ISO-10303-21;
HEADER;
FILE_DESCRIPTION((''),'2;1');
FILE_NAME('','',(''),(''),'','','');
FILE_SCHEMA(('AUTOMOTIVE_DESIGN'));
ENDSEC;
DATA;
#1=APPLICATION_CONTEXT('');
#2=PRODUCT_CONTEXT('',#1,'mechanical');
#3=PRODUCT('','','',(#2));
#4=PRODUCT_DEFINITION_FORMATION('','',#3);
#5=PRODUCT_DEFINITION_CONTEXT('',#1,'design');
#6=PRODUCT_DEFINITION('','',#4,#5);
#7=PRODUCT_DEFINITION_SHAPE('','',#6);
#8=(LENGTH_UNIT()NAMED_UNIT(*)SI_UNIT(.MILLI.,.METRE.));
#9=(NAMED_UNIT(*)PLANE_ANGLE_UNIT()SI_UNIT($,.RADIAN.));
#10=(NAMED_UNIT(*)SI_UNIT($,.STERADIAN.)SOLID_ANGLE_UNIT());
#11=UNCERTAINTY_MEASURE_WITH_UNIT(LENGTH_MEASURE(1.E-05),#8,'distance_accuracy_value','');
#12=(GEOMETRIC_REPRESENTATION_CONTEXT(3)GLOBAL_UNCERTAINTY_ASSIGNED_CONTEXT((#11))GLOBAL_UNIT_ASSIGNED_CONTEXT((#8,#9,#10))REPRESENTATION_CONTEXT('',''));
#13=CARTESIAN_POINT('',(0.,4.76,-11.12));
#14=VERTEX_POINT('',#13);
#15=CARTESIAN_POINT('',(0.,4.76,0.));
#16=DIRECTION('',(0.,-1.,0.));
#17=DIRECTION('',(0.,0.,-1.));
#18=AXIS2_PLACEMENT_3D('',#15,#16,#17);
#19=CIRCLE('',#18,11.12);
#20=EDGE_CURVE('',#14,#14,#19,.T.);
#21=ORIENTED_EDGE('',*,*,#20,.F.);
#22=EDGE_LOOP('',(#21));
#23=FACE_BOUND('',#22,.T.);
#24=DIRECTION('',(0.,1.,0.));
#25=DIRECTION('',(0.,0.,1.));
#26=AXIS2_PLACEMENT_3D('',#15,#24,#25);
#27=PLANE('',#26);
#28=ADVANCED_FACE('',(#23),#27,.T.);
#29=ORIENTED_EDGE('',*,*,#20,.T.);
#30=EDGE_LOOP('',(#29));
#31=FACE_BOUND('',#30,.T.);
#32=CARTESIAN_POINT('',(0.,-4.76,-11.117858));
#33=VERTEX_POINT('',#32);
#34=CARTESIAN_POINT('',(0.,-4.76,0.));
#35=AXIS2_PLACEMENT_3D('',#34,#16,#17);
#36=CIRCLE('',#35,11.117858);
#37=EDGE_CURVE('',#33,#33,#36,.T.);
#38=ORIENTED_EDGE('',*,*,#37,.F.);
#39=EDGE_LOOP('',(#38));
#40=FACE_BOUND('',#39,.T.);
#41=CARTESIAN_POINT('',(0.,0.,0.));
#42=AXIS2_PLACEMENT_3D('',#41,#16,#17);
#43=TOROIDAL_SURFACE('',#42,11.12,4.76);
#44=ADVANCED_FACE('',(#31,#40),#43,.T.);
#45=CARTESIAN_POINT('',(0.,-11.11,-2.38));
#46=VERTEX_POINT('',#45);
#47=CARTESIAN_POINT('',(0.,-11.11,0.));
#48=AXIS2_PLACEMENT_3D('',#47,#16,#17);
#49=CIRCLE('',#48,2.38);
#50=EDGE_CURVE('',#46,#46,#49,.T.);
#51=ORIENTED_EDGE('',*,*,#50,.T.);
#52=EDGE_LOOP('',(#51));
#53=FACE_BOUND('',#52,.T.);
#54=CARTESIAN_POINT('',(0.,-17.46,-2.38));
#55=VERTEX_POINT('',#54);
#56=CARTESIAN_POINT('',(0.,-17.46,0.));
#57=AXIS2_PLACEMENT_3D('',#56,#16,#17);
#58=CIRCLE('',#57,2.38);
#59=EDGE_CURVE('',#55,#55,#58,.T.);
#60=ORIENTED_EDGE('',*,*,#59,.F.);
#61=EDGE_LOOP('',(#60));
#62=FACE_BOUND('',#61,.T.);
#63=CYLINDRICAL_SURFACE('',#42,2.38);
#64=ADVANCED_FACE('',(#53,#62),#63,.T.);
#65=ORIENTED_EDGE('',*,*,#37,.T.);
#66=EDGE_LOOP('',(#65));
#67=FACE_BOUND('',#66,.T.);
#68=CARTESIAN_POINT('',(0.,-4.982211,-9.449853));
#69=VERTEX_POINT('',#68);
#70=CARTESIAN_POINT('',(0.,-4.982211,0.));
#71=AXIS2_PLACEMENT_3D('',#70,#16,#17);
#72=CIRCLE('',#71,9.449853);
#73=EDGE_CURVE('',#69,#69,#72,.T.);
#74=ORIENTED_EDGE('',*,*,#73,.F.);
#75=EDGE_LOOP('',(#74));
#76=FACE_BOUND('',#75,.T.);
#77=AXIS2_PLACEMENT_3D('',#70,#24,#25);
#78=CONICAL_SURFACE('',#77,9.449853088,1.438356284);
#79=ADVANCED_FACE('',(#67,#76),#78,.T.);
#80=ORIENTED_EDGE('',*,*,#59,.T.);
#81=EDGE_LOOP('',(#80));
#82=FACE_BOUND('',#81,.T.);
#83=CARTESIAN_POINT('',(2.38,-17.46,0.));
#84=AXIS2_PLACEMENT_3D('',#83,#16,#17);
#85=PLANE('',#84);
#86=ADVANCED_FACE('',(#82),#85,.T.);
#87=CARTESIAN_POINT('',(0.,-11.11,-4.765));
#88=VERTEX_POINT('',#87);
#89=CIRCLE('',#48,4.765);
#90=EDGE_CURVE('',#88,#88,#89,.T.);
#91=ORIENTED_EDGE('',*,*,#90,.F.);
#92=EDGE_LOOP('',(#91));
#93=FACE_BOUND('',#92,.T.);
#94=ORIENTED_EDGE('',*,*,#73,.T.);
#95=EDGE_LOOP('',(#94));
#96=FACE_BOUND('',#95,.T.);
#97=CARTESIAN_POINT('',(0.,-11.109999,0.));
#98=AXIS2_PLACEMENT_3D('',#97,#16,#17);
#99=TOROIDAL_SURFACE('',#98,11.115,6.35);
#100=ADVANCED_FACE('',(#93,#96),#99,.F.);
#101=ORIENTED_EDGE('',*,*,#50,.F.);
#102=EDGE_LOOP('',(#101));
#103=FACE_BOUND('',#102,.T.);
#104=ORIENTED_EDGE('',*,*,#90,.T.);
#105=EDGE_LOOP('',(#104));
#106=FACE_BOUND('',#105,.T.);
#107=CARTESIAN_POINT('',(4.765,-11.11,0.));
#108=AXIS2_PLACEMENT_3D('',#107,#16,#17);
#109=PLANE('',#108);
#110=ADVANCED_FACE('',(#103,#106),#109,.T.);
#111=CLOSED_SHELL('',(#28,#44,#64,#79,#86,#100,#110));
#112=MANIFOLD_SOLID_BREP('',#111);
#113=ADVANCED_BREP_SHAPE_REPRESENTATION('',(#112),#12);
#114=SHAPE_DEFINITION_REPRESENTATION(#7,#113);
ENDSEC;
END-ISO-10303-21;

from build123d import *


with BuildPart() as part:
    # Sketch1 → Revolve2 (revolve)
    with BuildSketch(Plane.XY, mode=Mode.PRIVATE) as revolve2_sk:
        with BuildLine():
            Line((0, 4.76), (11.12, 4.76))
            ThreePointArc((11.12, 4.76), (15.879999879, -0.001071107), (11.117857786, -4.759999518))
            Line((11.117857786, -4.759999518), (9.449853088, -4.982210876))
            ThreePointArc((9.449853088, -4.982210876), (6.07038952, -7.253263843), (4.765, -11.11))
            Line((4.765, -11.11), (2.38, -11.11))
            Line((2.38, -11.11), (2.38, -17.46))
            Line((2.38, -17.46), (0, -17.46))
            Line((0, -17.46), (0, 4.76))
        make_face()
    revolve(revolve2_sk.sketch.rotate(Axis((0, 0, 0), (0, 1, 0)), 90), axis=Axis((0, 0, 0), (0, 1, 0)))


solid = part.part
